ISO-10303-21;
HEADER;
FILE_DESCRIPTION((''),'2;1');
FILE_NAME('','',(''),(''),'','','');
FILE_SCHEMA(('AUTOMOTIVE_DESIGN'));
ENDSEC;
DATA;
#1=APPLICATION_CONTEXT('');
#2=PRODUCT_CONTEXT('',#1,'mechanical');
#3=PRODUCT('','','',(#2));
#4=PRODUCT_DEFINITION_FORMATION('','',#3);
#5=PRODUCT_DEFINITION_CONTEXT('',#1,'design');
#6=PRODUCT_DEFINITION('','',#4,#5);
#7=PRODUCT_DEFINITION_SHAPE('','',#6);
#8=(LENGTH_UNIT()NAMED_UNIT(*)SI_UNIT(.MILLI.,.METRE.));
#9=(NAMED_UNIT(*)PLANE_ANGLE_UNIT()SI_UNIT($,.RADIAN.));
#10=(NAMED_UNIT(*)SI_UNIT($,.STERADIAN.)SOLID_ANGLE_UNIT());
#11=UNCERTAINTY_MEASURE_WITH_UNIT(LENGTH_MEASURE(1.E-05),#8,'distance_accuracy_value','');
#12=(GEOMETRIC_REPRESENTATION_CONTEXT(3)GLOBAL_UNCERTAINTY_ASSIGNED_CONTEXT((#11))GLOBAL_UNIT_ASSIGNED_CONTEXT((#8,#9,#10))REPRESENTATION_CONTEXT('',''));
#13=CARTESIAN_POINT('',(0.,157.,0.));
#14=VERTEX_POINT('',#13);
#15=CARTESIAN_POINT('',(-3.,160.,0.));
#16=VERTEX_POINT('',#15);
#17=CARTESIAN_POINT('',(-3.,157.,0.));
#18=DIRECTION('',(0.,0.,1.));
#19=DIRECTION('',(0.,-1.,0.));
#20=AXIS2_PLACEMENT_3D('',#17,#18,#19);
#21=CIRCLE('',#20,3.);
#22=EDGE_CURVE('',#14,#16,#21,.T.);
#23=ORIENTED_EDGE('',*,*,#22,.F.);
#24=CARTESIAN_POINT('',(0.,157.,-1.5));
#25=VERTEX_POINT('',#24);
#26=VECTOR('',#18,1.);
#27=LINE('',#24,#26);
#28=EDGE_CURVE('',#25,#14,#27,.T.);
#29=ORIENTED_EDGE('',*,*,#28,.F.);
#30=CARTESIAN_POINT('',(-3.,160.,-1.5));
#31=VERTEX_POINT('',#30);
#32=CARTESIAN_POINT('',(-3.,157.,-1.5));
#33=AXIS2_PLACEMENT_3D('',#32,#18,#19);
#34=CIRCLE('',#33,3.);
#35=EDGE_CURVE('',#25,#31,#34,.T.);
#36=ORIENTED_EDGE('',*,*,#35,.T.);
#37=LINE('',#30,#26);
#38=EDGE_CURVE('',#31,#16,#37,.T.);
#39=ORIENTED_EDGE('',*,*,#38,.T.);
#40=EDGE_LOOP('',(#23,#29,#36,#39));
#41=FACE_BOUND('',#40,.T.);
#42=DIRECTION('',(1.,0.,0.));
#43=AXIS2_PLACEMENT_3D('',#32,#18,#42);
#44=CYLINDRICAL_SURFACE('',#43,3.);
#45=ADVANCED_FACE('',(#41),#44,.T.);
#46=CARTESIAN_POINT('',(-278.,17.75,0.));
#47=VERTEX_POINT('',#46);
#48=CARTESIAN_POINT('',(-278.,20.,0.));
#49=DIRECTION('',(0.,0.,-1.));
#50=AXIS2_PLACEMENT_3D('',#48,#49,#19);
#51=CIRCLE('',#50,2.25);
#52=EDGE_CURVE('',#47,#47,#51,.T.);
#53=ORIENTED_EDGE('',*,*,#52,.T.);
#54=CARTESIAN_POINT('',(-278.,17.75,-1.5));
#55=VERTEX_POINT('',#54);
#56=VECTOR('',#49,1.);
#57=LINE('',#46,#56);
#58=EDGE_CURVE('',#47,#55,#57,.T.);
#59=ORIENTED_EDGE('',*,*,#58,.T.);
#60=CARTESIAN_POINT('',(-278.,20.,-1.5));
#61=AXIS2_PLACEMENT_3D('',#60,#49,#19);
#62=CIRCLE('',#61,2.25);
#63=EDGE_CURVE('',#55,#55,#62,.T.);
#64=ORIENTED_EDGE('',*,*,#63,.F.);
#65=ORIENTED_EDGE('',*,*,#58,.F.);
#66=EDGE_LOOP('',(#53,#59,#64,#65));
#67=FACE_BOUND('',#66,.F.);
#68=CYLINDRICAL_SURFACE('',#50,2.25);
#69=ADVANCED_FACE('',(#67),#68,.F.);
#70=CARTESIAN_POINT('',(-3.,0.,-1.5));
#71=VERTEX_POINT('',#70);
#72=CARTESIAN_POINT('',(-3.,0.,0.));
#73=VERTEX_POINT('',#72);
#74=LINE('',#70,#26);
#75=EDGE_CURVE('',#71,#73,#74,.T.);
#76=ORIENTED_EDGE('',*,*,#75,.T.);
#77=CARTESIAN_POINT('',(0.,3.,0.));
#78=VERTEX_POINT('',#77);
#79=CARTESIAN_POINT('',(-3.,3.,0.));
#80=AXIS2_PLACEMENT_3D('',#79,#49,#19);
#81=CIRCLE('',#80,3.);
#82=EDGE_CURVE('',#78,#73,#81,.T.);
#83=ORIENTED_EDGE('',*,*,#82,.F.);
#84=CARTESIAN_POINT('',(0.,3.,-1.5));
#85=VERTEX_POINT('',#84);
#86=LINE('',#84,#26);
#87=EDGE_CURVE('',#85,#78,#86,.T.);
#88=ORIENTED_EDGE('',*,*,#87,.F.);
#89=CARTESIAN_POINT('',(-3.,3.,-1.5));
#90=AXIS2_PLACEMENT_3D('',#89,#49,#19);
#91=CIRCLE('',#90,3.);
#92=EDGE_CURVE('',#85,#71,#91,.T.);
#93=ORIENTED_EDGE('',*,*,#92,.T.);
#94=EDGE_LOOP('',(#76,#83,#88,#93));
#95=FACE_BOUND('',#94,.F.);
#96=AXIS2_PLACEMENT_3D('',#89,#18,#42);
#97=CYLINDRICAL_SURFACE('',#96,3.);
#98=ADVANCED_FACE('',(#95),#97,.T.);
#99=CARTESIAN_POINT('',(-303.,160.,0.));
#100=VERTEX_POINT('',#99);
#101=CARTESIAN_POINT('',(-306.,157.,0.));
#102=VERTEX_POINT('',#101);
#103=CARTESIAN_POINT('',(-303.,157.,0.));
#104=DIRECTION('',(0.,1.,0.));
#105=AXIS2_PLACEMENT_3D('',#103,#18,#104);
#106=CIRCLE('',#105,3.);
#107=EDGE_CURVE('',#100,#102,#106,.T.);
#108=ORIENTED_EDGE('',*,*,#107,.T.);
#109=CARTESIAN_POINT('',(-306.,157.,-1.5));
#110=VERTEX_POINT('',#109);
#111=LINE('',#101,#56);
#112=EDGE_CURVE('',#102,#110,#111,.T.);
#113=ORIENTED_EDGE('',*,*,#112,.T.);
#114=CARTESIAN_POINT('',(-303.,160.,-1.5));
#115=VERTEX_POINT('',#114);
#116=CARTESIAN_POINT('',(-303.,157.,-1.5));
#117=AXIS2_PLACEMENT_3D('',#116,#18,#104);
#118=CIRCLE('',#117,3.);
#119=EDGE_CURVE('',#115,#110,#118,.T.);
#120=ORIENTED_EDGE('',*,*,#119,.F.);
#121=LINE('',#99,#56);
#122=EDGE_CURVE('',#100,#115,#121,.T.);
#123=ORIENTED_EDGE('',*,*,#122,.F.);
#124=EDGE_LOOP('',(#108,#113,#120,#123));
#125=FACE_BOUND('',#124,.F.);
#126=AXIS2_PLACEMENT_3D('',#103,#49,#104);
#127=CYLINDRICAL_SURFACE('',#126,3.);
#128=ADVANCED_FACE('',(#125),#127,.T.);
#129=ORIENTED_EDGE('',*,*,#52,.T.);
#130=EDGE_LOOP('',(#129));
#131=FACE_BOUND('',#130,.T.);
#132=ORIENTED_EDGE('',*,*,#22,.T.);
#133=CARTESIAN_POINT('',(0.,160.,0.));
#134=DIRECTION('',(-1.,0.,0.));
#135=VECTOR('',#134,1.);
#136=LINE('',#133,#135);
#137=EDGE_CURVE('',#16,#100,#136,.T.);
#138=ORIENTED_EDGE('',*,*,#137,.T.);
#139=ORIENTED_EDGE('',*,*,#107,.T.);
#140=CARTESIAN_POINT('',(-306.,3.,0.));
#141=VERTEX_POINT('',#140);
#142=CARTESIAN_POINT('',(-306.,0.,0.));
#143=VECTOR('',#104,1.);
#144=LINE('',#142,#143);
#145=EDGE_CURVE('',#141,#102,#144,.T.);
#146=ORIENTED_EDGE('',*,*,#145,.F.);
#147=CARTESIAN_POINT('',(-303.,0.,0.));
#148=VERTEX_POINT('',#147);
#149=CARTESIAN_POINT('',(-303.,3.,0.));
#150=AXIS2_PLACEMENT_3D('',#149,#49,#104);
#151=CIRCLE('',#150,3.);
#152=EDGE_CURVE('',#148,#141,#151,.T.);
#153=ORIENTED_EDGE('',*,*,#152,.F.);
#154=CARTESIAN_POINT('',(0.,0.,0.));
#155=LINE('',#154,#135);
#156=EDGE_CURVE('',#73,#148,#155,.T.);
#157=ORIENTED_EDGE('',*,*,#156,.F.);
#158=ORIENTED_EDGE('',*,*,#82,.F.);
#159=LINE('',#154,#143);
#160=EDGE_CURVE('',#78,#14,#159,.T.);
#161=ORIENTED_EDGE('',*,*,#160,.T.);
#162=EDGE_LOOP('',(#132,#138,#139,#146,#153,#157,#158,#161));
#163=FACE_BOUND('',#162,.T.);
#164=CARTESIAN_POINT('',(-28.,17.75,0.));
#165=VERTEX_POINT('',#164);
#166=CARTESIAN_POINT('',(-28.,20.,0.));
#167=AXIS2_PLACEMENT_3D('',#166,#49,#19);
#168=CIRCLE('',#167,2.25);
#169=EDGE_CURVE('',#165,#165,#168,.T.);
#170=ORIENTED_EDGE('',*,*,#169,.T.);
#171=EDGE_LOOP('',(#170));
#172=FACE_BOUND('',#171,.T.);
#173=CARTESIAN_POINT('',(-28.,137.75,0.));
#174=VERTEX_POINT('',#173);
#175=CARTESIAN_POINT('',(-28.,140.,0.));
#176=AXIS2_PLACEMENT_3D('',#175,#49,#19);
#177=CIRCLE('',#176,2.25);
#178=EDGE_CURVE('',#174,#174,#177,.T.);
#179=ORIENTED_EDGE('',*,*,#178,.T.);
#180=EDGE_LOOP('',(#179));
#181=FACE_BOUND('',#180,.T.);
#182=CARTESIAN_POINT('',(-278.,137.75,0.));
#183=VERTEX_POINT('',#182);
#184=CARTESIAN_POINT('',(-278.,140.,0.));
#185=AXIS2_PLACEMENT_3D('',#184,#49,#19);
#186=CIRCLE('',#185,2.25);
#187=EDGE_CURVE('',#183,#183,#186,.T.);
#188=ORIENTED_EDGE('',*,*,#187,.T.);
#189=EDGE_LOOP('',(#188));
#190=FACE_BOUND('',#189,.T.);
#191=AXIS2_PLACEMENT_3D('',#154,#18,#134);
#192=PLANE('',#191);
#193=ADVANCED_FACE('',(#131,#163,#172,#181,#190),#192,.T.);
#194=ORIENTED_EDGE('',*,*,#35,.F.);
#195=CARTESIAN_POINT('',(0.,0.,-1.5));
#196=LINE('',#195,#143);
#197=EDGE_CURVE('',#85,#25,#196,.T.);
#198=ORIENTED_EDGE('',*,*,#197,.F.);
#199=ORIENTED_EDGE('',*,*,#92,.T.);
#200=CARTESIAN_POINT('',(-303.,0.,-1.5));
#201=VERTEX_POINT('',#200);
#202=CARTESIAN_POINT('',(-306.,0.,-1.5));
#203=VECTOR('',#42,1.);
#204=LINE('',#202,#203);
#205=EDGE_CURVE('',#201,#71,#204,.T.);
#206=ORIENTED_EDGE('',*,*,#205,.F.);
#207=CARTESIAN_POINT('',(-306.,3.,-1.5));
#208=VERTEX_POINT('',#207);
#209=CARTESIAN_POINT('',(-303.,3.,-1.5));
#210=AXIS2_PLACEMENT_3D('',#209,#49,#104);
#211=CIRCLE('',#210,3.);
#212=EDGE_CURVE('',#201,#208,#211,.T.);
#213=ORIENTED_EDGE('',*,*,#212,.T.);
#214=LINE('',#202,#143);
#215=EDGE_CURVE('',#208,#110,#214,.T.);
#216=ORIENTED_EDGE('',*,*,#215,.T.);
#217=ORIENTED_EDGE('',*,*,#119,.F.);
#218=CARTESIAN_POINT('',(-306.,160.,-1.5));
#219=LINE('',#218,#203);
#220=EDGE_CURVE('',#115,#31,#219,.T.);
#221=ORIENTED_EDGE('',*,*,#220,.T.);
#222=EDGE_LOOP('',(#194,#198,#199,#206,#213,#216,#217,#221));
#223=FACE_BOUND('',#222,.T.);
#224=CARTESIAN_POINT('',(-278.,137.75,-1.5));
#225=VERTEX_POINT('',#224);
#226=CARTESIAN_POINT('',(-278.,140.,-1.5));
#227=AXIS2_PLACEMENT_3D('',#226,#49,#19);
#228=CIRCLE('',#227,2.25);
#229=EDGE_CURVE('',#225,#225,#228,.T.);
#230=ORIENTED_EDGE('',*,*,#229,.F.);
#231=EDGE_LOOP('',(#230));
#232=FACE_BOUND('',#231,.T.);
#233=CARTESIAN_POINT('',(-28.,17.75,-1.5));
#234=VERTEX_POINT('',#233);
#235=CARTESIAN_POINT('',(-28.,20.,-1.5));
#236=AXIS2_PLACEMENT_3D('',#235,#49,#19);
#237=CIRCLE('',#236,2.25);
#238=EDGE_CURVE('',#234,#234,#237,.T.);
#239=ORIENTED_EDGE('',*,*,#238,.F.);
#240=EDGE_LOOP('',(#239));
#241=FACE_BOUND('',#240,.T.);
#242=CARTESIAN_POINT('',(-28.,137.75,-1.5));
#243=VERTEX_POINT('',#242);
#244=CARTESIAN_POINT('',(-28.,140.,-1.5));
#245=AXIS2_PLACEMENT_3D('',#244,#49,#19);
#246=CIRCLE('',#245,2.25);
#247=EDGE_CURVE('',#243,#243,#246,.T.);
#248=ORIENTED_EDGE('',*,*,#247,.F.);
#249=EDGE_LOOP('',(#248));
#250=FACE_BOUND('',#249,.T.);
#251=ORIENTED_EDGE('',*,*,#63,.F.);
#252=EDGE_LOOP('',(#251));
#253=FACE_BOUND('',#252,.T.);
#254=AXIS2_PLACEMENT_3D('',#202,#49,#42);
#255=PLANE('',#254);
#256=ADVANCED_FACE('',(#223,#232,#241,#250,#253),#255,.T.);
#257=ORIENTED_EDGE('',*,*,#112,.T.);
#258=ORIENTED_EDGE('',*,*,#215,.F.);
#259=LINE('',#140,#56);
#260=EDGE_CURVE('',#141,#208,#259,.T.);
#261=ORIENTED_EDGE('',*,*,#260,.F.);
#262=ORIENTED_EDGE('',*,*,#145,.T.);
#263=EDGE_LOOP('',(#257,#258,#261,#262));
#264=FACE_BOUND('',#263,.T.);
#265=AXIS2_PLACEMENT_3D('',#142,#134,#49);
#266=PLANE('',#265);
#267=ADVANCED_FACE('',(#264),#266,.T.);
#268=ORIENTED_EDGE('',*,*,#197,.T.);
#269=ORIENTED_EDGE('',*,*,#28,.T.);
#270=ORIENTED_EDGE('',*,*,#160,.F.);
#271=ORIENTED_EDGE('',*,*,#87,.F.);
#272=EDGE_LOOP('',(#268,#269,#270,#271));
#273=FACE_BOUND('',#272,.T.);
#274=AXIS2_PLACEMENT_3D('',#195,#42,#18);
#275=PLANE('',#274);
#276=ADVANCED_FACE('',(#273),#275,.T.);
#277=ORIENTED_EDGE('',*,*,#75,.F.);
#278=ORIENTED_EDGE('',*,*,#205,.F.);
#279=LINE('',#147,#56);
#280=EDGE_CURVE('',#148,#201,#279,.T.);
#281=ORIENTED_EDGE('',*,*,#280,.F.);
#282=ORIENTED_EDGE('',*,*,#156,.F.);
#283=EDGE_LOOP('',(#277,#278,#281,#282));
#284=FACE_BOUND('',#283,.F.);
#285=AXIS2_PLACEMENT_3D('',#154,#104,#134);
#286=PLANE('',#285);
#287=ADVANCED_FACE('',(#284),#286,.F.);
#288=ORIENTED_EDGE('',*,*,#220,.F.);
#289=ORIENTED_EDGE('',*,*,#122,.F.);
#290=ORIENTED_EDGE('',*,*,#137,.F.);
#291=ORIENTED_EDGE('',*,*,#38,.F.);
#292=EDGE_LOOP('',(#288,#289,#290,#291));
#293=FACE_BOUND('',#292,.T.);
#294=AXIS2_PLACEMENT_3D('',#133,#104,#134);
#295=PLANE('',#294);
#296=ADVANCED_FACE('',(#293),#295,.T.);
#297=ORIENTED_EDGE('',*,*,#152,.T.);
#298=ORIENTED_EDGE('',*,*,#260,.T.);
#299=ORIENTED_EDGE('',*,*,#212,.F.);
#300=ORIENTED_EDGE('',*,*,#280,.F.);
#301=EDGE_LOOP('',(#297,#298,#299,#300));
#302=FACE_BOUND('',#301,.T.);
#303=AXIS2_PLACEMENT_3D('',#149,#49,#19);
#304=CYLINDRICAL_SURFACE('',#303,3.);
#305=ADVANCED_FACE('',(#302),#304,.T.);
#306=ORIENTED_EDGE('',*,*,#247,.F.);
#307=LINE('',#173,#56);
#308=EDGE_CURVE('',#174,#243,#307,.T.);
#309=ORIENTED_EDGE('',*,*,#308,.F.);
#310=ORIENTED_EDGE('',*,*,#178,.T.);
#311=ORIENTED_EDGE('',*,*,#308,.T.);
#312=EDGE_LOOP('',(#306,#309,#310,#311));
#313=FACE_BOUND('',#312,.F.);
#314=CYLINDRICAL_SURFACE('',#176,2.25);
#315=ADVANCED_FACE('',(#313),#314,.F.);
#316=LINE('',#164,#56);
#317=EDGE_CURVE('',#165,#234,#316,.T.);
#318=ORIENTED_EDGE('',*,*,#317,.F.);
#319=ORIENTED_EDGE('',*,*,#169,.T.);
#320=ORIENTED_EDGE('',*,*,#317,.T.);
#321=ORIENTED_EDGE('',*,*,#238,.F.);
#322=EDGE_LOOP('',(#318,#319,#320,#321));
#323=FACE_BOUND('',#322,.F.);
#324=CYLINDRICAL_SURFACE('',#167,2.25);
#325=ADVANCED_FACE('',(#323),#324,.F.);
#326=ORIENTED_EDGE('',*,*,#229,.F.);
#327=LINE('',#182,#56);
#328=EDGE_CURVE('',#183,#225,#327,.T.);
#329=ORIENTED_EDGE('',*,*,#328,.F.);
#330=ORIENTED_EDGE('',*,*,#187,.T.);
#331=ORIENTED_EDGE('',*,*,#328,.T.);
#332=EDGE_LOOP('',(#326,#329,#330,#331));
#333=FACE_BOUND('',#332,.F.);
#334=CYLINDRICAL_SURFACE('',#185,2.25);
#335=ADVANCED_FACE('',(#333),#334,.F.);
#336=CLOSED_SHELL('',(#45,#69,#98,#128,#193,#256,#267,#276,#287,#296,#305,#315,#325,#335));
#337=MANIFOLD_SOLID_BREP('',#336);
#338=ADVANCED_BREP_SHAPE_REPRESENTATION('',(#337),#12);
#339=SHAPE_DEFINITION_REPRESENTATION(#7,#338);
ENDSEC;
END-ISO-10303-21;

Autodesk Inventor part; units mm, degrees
ref_plane "YZ Plane" through (0, 0, 0) normal (1, 0, 0) x (0, 1, 0)
ref_plane "XZ Plane" through (0, 0, 0) normal (0, 1, 0) x (-1, 0, 0)
ref_plane "XY Plane" through (0, 0, 0) normal (0, 0, 1) x (1, 0, 0)
sketch "Skizze1" plane through (0, 0, 0) normal (0, 1, 0) x (-1, 0, 0)
  line L0 (0, 0) -> (306, 0)
  line L1 (306, 0) -> (306, -1.5)
  line L2 (306, -1.5) -> (0, -1.5)
  line L3 (0, -1.5) -> (0, 0)
  dimension "d0" = 306
  dimension "d1" = 1.5
extrude "Extrusion1" add sketch "Skizze1" along normal blind 160
sketch "Skizze2" plane through (-306, 0, 0) normal (0, 0, 1) x (1, 0, 0)
  line L0 (278, 20) -> (28, 20)
  line L1 (28, 20) -> (28, 140)
  line L2 (28, 140) -> (278, 140)
  line L3 (278, 140) -> (278, 20)
  line L4 (278, 20) -> (28, 140) construction
  line L5 (28, 20) -> (278, 140) construction
  line L6 (0, 0) -> (0, 160) projected
  line L7 (0, 160) -> (306, 160) projected
  point P0 (306, 0)
  point P1 (153, 80)
  dimension "d4" = 306
  dimension "d5" = 160
  dimension "d6" = 153
  dimension "d7" = 80
  dimension "d8" = 250
  dimension "d9" = 120
hole "Bohrung1" at (-28, 20, 0) at (-28, 140, 0) at (-278, 140, 0) at (-278, 20, 0) direction (0, 0, -1) diameter 4.5 depth 11.8 tip angle 118
fillet "Rundung1" radius 3 4 edges at (-306, 160, -0.75) (-306, 0, -0.75) (0, 160, -0.75) (0, 0, -0.75)
equation "\"d6\" = 0.5 * d4"
equation "\"d7\" = 0.5 * d5"
properties part number "Deckel"
